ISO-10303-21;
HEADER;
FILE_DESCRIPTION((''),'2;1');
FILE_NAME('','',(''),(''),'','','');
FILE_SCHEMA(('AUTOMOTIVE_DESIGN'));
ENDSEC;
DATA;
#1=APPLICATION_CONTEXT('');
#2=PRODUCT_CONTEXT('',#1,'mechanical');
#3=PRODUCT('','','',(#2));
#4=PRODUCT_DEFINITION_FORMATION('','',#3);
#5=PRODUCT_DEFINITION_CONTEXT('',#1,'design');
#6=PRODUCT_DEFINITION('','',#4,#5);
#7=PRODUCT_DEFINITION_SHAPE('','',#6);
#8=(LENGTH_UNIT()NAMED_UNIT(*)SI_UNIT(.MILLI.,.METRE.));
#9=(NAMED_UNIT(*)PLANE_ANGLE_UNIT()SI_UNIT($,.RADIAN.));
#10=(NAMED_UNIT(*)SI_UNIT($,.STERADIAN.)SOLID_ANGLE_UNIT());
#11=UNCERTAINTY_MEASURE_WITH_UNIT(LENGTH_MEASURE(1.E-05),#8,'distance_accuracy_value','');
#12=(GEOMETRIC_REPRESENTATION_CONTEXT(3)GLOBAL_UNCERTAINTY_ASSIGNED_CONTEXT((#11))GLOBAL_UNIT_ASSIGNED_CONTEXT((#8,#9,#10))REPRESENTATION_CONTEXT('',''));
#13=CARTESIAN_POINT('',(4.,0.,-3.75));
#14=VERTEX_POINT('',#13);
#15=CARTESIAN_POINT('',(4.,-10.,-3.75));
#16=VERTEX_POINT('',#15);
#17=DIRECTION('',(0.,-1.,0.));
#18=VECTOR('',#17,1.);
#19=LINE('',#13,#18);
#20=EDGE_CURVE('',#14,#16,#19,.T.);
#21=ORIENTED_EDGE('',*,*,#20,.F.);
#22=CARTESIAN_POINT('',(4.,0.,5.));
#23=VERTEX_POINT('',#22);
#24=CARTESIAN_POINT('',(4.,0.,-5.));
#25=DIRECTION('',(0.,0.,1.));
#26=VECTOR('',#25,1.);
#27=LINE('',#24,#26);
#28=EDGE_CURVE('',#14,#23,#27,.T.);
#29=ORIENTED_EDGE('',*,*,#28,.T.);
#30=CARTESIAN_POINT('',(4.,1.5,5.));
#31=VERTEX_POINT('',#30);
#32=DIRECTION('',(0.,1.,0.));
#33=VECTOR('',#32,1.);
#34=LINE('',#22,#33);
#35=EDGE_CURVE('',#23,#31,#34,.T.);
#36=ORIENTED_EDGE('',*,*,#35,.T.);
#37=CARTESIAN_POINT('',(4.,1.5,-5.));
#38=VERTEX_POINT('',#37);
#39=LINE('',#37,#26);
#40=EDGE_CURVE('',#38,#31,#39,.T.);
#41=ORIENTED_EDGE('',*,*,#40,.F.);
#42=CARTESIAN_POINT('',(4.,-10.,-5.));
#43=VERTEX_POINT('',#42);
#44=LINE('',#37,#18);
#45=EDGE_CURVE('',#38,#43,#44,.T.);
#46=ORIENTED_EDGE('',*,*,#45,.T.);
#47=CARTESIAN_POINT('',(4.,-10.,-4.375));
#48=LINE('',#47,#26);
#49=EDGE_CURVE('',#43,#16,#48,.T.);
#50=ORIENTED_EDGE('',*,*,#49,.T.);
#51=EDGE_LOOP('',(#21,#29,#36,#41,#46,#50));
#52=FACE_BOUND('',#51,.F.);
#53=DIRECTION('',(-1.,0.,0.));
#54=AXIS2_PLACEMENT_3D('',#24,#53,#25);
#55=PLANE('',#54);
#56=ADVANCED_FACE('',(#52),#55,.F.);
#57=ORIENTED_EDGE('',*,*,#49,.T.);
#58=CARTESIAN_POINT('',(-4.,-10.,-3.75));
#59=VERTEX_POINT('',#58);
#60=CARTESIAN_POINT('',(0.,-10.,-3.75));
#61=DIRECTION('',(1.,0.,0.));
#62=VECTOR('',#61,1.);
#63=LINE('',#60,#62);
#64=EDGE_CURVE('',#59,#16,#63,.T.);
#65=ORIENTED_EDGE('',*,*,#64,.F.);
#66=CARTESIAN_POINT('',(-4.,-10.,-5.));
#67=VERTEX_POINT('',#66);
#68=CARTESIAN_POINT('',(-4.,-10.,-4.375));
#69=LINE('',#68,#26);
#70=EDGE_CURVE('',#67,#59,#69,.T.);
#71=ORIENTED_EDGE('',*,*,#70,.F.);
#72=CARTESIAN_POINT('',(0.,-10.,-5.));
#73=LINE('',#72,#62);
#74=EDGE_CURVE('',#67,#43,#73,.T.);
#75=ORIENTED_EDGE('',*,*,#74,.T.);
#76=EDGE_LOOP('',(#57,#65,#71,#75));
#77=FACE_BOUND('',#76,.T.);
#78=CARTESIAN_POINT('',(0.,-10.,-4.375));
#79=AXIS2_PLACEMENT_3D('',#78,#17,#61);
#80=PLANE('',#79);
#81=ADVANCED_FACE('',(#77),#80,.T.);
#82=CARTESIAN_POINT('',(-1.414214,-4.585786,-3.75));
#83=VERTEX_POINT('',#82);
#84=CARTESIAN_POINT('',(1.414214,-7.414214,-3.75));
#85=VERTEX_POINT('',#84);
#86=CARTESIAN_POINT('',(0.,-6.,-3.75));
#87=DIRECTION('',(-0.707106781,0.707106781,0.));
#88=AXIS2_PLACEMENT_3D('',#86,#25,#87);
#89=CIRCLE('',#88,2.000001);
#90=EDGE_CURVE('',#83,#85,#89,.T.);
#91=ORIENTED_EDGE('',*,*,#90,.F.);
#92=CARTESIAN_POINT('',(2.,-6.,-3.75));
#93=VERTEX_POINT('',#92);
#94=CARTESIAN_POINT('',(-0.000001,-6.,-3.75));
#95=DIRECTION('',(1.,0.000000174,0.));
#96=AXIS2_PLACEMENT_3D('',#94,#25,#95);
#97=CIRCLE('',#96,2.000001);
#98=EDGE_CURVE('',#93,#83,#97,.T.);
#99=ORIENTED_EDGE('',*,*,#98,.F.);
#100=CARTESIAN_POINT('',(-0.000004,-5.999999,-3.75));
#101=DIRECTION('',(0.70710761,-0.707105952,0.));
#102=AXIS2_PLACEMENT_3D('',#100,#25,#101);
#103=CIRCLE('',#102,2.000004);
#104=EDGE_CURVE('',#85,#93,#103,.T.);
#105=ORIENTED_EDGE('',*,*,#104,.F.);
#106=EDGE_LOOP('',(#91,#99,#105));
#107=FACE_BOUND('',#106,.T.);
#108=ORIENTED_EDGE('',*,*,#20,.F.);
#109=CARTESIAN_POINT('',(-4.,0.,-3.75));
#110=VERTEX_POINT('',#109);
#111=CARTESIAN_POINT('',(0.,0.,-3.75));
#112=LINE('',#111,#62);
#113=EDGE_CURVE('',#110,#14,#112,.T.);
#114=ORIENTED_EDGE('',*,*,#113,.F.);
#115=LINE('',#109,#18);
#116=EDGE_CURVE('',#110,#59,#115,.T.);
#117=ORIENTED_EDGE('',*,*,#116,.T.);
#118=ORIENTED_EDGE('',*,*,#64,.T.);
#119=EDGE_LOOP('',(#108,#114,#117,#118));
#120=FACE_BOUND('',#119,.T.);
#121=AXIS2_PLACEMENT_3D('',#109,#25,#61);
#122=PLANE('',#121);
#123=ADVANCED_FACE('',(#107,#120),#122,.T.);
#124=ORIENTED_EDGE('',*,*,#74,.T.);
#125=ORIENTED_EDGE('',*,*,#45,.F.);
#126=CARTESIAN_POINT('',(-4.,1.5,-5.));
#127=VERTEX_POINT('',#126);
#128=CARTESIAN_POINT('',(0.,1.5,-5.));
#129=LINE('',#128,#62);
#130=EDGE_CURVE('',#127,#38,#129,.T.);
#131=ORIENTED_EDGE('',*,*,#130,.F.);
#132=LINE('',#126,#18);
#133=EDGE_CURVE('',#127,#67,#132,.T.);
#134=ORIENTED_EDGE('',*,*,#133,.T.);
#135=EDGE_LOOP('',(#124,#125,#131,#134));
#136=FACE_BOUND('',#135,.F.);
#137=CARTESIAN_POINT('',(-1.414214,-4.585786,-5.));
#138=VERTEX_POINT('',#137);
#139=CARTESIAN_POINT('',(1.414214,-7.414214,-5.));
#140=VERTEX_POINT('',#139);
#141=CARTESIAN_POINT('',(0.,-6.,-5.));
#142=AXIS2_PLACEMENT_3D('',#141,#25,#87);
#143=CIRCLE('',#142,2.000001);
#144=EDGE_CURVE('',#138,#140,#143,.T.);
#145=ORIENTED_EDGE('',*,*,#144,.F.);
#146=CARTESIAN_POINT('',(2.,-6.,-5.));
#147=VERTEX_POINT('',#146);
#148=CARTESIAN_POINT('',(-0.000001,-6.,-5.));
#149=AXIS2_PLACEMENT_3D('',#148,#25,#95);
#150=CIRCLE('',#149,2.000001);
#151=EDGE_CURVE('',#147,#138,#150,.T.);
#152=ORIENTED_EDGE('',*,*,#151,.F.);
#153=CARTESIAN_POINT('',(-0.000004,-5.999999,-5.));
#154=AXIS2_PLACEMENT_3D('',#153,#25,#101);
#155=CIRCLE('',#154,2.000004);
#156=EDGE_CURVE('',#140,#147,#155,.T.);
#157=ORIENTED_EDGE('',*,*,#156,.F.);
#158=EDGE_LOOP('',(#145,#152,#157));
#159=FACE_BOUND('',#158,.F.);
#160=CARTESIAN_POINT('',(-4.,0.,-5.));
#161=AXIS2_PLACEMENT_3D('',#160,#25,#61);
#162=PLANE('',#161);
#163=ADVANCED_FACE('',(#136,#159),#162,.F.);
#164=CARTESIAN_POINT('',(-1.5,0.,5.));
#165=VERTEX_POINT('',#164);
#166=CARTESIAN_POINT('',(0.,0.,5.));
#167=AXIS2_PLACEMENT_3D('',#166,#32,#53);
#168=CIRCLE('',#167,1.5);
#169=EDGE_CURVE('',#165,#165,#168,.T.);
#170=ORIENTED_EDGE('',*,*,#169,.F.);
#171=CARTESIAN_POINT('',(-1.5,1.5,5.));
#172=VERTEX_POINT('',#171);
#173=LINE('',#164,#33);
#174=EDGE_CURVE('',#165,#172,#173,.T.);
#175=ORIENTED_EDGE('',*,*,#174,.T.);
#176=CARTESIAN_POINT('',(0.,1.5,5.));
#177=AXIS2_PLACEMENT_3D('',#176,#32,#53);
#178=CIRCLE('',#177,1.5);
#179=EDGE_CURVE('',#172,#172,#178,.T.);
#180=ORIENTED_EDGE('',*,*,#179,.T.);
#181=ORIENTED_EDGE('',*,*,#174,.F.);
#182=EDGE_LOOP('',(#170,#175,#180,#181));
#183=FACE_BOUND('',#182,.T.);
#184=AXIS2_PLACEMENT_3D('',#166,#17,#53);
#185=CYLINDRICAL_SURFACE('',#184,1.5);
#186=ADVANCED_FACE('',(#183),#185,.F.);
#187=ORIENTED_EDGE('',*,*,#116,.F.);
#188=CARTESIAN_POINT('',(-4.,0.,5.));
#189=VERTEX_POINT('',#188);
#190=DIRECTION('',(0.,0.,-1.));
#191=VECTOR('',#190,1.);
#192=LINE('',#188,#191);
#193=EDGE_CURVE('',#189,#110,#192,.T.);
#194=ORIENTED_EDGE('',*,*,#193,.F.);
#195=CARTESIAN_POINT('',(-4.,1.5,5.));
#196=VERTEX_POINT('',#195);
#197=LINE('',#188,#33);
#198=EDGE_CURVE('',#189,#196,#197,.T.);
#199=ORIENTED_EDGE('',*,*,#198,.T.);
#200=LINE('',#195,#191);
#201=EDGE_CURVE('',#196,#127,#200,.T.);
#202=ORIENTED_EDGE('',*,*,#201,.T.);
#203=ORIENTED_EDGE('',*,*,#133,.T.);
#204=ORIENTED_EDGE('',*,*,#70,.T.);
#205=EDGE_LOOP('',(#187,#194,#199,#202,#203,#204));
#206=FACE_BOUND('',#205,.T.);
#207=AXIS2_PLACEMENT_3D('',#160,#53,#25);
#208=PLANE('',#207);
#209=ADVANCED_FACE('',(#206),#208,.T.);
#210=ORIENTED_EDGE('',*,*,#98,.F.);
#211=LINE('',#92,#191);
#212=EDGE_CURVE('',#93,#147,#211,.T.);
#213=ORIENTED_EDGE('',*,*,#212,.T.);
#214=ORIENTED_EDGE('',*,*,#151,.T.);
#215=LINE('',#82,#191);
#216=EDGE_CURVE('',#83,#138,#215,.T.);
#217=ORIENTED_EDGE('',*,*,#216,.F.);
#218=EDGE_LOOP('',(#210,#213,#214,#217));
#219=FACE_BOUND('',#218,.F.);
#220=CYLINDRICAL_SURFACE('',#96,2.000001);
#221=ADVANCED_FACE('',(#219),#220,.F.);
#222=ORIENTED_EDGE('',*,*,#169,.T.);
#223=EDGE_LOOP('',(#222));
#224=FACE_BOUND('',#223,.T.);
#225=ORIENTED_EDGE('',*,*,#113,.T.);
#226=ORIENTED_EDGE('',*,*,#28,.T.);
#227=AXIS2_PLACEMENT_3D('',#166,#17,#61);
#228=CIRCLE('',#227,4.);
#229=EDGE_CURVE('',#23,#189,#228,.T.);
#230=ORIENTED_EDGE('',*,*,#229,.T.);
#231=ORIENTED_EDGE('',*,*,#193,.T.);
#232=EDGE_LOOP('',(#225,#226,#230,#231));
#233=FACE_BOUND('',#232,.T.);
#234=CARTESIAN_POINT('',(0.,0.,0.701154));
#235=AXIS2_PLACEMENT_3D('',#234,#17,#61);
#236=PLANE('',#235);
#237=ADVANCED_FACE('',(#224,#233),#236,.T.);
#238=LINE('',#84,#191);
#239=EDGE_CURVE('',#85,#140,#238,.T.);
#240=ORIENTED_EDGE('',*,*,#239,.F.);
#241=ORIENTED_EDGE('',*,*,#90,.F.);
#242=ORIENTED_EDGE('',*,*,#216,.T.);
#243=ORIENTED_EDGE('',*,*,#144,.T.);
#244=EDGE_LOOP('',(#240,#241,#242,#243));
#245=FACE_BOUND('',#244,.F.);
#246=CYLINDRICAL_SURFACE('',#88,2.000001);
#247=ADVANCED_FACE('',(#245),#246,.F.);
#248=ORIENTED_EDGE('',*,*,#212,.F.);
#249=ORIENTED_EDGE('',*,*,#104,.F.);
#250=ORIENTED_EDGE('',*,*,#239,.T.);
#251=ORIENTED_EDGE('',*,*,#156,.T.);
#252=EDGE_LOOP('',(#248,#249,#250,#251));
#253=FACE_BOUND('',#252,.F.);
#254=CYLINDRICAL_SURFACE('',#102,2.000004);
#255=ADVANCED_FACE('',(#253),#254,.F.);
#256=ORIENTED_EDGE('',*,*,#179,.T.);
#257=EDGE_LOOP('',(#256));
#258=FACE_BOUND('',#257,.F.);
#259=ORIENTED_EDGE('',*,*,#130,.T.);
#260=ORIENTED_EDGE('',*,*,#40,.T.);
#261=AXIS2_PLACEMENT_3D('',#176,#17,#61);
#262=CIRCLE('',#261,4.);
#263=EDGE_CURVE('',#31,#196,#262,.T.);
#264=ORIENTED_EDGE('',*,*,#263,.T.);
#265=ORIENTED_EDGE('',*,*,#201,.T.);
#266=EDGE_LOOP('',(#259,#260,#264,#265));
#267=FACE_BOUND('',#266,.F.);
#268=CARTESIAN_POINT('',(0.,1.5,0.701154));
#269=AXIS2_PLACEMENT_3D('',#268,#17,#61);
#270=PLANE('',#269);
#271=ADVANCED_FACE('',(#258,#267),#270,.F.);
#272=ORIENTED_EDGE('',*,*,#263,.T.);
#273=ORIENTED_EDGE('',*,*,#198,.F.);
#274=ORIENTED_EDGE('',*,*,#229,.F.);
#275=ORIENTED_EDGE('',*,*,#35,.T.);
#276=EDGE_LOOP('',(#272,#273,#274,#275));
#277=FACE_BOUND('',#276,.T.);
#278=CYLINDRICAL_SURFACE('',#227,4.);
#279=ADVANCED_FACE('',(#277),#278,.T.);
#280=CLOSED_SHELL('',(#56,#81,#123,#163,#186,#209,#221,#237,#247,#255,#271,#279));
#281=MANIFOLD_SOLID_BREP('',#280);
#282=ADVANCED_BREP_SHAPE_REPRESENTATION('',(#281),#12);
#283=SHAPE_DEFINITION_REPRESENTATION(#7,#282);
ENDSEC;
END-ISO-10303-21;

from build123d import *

# Parameters (mm, degrees)
F0_W     = 8
F0_H     = 1.25
F1_DEPTH = 1.5
F2_DEPTH = 10
F4_DEPTH = 1.25


with BuildPart() as f1:
    # F0 (on Front) → F1 (new body)
    with BuildSketch(Plane.XZ):
        with BuildLine():
            Line((4, 5), (1.5, 5))
            ThreePointArc((1.5, 5), (0, 3.5), (-1.5, 5))
            Line((-1.5, 5), (-4, 5))
            Line((-4, 5), (-4, -3.75))
            Line((-4, -3.75), (4, -3.75))
            Line((4, -3.75), (4, 5))
        make_face()
        with Locations((0, -4.375)):
            Rectangle(F0_W, F0_H)
        with BuildLine():
            ThreePointArc((-1.5, 5), (0, 6.5), (1.5, 5))
            Line((1.5, 5), (4, 5))
            ThreePointArc((4, 5), (0, 9), (-4, 5))
            Line((-4, 5), (-1.5, 5))
        make_face()
    extrude(amount=-F1_DEPTH)

    # F0 (on Front) → F2 (join)
    with BuildSketch(Plane.XZ):
        with Locations((0, -4.375)):
            Rectangle(F0_W, F0_H)
    extrude(amount=F2_DEPTH)

    # F3 (on face) → F4 (cut, through all)
    with BuildSketch(Plane.XY.offset(-3.75)):
        with BuildLine():
            Line((1.414214, -7.414214), (-1.414214, -4.585786))
            ThreePointArc((-1.414214, -4.585786), (-1.414214, -7.414214), (1.414214, -7.414214))
        make_face()
        with BuildLine():
            ThreePointArc((1.414214, -7.414214), (1.847759, -6.765367), (2, -6))
            ThreePointArc((2, -6), (0.765367, -4.152241), (-1.414214, -4.585786))
            Line((-1.414214, -4.585786), (1.414214, -7.414214))
        make_face()
    extrude(amount=-F4_DEPTH, mode=Mode.SUBTRACT)


solid = f1.part
